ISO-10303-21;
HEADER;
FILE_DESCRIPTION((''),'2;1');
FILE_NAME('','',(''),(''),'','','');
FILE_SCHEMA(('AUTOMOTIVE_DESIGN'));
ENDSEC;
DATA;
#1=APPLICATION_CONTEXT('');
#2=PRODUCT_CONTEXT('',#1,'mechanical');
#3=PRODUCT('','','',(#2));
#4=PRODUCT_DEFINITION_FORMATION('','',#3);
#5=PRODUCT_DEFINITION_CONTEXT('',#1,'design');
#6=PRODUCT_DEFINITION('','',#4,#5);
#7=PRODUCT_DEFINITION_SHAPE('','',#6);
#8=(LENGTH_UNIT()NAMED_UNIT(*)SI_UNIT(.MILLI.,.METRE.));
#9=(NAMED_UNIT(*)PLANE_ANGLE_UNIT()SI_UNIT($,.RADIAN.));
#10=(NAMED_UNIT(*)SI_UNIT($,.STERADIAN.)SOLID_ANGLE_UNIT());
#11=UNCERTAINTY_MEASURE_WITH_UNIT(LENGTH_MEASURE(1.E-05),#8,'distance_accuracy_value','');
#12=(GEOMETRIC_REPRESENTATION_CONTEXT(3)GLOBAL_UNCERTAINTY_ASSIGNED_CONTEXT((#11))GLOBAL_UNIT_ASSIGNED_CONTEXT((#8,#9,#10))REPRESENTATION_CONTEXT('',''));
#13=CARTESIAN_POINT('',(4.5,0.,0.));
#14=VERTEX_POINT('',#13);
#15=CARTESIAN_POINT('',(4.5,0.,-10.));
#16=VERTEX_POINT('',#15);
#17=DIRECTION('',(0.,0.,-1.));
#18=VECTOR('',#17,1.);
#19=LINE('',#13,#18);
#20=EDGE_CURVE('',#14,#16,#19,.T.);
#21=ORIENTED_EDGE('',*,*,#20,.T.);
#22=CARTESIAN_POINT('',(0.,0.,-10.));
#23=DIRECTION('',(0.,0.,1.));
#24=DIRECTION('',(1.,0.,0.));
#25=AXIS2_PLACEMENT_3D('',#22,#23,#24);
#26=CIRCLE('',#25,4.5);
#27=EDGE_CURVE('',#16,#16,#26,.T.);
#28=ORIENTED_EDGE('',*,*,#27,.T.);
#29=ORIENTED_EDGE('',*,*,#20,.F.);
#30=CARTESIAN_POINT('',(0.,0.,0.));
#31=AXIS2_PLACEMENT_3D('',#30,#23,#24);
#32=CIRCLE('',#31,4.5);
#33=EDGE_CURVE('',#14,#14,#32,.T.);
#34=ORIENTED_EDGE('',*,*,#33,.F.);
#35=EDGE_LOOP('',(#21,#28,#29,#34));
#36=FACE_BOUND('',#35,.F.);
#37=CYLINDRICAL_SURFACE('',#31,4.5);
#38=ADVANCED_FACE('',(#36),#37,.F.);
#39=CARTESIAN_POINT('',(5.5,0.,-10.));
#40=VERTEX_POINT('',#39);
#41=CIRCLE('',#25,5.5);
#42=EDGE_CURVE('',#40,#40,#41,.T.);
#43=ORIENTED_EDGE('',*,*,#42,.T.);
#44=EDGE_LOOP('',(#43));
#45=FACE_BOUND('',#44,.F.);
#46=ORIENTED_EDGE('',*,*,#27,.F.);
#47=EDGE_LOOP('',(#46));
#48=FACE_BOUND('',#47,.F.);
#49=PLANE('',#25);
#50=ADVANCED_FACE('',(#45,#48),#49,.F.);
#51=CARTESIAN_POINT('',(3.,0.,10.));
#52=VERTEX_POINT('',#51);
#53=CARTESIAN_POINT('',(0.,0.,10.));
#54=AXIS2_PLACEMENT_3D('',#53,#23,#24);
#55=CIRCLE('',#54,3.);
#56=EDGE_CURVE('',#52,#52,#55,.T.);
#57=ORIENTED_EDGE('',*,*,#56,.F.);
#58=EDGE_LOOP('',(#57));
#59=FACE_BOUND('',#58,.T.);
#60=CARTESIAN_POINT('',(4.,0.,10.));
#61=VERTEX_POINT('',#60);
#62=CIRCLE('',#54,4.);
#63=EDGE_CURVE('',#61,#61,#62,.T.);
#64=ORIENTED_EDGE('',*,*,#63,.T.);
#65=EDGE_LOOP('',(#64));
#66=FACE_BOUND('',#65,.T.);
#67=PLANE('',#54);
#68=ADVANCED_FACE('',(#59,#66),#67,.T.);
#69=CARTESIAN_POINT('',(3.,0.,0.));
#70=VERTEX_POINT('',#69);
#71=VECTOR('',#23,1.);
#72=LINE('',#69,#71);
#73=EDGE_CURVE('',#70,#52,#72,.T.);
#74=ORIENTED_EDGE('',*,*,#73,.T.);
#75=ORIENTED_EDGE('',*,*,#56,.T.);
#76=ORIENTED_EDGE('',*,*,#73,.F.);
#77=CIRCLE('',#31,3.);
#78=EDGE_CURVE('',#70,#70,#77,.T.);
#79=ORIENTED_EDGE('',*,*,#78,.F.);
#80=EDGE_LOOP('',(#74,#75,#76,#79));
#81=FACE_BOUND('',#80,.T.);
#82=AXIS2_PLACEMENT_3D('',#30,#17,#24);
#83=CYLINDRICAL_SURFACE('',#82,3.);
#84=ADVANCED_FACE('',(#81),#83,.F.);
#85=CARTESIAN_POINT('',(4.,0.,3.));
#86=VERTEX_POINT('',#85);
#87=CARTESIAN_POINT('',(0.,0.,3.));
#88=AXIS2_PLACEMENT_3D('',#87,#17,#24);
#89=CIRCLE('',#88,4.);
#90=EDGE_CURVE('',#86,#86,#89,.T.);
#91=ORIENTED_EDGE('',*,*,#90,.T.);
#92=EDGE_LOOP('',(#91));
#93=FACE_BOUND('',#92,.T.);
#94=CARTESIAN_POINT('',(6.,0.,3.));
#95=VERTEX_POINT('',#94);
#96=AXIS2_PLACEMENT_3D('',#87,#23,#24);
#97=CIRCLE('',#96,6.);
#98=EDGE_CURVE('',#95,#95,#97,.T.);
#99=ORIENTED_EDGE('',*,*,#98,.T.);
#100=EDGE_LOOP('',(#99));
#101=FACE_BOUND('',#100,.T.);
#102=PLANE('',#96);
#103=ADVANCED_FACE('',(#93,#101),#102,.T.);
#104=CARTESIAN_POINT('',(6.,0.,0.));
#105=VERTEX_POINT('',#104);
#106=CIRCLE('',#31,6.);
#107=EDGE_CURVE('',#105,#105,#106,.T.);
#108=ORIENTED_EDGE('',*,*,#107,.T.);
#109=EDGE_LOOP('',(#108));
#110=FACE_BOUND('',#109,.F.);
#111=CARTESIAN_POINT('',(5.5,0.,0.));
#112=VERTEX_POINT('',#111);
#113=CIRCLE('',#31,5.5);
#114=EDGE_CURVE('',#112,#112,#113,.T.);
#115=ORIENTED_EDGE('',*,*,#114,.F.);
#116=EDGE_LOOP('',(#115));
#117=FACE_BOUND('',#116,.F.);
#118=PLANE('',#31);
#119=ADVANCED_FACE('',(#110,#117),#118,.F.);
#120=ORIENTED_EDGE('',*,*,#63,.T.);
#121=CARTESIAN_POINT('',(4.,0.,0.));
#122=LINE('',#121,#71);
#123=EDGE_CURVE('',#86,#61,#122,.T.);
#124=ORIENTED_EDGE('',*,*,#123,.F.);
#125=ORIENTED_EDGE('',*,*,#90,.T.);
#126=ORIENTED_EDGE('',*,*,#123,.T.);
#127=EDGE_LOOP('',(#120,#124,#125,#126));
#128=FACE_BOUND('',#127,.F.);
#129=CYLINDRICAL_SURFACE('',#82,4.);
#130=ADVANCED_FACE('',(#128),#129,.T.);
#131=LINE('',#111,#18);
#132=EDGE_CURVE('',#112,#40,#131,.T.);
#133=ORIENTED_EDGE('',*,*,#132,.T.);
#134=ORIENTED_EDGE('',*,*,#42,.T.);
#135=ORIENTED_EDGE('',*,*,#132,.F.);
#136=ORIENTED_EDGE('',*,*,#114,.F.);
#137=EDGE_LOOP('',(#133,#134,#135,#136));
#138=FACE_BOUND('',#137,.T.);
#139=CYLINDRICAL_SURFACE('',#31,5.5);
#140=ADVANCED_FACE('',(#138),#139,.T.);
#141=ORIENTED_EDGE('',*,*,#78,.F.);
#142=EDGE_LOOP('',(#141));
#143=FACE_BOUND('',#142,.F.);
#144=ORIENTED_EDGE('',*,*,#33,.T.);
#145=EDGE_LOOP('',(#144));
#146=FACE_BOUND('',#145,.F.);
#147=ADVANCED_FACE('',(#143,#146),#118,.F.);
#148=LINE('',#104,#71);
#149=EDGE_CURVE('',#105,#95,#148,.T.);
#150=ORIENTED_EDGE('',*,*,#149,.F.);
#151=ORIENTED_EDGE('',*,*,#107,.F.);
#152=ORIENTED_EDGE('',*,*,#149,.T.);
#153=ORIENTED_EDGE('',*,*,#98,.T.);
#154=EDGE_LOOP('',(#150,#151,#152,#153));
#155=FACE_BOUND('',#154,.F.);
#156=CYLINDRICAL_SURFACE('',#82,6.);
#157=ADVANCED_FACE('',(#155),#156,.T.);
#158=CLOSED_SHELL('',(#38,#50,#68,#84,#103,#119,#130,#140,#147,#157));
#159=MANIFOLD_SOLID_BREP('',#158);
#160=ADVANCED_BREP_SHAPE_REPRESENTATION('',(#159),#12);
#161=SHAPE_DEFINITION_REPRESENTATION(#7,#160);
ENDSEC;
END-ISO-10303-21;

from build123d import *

# Parameters (mm, degrees)
F0_R     = 4
F0_R_2   = 3
F1_DEPTH = 10
F2_R     = 6
F2_R_2   = 3
F3_DEPTH = 3
F4_R     = 5.5
F4_R_2   = 4.5
F5_DEPTH = 10


with BuildPart() as f1:
    # F0 (on Top) → F1 (new body)
    with BuildSketch(Plane.XY):
        Circle(F0_R)
        Circle(F0_R_2, mode=Mode.SUBTRACT)
    extrude(amount=F1_DEPTH)

    # F2 (on Top) → F3 (join)
    with BuildSketch(Plane.XY):
        Circle(F2_R)
        Circle(F2_R_2, mode=Mode.SUBTRACT)
    extrude(amount=F3_DEPTH)

    # F4 (on Top) → F5 (join)
    with BuildSketch(Plane.XY):
        Circle(F4_R)
        Circle(F4_R_2, mode=Mode.SUBTRACT)
    extrude(amount=-F5_DEPTH)


solid = f1.part
